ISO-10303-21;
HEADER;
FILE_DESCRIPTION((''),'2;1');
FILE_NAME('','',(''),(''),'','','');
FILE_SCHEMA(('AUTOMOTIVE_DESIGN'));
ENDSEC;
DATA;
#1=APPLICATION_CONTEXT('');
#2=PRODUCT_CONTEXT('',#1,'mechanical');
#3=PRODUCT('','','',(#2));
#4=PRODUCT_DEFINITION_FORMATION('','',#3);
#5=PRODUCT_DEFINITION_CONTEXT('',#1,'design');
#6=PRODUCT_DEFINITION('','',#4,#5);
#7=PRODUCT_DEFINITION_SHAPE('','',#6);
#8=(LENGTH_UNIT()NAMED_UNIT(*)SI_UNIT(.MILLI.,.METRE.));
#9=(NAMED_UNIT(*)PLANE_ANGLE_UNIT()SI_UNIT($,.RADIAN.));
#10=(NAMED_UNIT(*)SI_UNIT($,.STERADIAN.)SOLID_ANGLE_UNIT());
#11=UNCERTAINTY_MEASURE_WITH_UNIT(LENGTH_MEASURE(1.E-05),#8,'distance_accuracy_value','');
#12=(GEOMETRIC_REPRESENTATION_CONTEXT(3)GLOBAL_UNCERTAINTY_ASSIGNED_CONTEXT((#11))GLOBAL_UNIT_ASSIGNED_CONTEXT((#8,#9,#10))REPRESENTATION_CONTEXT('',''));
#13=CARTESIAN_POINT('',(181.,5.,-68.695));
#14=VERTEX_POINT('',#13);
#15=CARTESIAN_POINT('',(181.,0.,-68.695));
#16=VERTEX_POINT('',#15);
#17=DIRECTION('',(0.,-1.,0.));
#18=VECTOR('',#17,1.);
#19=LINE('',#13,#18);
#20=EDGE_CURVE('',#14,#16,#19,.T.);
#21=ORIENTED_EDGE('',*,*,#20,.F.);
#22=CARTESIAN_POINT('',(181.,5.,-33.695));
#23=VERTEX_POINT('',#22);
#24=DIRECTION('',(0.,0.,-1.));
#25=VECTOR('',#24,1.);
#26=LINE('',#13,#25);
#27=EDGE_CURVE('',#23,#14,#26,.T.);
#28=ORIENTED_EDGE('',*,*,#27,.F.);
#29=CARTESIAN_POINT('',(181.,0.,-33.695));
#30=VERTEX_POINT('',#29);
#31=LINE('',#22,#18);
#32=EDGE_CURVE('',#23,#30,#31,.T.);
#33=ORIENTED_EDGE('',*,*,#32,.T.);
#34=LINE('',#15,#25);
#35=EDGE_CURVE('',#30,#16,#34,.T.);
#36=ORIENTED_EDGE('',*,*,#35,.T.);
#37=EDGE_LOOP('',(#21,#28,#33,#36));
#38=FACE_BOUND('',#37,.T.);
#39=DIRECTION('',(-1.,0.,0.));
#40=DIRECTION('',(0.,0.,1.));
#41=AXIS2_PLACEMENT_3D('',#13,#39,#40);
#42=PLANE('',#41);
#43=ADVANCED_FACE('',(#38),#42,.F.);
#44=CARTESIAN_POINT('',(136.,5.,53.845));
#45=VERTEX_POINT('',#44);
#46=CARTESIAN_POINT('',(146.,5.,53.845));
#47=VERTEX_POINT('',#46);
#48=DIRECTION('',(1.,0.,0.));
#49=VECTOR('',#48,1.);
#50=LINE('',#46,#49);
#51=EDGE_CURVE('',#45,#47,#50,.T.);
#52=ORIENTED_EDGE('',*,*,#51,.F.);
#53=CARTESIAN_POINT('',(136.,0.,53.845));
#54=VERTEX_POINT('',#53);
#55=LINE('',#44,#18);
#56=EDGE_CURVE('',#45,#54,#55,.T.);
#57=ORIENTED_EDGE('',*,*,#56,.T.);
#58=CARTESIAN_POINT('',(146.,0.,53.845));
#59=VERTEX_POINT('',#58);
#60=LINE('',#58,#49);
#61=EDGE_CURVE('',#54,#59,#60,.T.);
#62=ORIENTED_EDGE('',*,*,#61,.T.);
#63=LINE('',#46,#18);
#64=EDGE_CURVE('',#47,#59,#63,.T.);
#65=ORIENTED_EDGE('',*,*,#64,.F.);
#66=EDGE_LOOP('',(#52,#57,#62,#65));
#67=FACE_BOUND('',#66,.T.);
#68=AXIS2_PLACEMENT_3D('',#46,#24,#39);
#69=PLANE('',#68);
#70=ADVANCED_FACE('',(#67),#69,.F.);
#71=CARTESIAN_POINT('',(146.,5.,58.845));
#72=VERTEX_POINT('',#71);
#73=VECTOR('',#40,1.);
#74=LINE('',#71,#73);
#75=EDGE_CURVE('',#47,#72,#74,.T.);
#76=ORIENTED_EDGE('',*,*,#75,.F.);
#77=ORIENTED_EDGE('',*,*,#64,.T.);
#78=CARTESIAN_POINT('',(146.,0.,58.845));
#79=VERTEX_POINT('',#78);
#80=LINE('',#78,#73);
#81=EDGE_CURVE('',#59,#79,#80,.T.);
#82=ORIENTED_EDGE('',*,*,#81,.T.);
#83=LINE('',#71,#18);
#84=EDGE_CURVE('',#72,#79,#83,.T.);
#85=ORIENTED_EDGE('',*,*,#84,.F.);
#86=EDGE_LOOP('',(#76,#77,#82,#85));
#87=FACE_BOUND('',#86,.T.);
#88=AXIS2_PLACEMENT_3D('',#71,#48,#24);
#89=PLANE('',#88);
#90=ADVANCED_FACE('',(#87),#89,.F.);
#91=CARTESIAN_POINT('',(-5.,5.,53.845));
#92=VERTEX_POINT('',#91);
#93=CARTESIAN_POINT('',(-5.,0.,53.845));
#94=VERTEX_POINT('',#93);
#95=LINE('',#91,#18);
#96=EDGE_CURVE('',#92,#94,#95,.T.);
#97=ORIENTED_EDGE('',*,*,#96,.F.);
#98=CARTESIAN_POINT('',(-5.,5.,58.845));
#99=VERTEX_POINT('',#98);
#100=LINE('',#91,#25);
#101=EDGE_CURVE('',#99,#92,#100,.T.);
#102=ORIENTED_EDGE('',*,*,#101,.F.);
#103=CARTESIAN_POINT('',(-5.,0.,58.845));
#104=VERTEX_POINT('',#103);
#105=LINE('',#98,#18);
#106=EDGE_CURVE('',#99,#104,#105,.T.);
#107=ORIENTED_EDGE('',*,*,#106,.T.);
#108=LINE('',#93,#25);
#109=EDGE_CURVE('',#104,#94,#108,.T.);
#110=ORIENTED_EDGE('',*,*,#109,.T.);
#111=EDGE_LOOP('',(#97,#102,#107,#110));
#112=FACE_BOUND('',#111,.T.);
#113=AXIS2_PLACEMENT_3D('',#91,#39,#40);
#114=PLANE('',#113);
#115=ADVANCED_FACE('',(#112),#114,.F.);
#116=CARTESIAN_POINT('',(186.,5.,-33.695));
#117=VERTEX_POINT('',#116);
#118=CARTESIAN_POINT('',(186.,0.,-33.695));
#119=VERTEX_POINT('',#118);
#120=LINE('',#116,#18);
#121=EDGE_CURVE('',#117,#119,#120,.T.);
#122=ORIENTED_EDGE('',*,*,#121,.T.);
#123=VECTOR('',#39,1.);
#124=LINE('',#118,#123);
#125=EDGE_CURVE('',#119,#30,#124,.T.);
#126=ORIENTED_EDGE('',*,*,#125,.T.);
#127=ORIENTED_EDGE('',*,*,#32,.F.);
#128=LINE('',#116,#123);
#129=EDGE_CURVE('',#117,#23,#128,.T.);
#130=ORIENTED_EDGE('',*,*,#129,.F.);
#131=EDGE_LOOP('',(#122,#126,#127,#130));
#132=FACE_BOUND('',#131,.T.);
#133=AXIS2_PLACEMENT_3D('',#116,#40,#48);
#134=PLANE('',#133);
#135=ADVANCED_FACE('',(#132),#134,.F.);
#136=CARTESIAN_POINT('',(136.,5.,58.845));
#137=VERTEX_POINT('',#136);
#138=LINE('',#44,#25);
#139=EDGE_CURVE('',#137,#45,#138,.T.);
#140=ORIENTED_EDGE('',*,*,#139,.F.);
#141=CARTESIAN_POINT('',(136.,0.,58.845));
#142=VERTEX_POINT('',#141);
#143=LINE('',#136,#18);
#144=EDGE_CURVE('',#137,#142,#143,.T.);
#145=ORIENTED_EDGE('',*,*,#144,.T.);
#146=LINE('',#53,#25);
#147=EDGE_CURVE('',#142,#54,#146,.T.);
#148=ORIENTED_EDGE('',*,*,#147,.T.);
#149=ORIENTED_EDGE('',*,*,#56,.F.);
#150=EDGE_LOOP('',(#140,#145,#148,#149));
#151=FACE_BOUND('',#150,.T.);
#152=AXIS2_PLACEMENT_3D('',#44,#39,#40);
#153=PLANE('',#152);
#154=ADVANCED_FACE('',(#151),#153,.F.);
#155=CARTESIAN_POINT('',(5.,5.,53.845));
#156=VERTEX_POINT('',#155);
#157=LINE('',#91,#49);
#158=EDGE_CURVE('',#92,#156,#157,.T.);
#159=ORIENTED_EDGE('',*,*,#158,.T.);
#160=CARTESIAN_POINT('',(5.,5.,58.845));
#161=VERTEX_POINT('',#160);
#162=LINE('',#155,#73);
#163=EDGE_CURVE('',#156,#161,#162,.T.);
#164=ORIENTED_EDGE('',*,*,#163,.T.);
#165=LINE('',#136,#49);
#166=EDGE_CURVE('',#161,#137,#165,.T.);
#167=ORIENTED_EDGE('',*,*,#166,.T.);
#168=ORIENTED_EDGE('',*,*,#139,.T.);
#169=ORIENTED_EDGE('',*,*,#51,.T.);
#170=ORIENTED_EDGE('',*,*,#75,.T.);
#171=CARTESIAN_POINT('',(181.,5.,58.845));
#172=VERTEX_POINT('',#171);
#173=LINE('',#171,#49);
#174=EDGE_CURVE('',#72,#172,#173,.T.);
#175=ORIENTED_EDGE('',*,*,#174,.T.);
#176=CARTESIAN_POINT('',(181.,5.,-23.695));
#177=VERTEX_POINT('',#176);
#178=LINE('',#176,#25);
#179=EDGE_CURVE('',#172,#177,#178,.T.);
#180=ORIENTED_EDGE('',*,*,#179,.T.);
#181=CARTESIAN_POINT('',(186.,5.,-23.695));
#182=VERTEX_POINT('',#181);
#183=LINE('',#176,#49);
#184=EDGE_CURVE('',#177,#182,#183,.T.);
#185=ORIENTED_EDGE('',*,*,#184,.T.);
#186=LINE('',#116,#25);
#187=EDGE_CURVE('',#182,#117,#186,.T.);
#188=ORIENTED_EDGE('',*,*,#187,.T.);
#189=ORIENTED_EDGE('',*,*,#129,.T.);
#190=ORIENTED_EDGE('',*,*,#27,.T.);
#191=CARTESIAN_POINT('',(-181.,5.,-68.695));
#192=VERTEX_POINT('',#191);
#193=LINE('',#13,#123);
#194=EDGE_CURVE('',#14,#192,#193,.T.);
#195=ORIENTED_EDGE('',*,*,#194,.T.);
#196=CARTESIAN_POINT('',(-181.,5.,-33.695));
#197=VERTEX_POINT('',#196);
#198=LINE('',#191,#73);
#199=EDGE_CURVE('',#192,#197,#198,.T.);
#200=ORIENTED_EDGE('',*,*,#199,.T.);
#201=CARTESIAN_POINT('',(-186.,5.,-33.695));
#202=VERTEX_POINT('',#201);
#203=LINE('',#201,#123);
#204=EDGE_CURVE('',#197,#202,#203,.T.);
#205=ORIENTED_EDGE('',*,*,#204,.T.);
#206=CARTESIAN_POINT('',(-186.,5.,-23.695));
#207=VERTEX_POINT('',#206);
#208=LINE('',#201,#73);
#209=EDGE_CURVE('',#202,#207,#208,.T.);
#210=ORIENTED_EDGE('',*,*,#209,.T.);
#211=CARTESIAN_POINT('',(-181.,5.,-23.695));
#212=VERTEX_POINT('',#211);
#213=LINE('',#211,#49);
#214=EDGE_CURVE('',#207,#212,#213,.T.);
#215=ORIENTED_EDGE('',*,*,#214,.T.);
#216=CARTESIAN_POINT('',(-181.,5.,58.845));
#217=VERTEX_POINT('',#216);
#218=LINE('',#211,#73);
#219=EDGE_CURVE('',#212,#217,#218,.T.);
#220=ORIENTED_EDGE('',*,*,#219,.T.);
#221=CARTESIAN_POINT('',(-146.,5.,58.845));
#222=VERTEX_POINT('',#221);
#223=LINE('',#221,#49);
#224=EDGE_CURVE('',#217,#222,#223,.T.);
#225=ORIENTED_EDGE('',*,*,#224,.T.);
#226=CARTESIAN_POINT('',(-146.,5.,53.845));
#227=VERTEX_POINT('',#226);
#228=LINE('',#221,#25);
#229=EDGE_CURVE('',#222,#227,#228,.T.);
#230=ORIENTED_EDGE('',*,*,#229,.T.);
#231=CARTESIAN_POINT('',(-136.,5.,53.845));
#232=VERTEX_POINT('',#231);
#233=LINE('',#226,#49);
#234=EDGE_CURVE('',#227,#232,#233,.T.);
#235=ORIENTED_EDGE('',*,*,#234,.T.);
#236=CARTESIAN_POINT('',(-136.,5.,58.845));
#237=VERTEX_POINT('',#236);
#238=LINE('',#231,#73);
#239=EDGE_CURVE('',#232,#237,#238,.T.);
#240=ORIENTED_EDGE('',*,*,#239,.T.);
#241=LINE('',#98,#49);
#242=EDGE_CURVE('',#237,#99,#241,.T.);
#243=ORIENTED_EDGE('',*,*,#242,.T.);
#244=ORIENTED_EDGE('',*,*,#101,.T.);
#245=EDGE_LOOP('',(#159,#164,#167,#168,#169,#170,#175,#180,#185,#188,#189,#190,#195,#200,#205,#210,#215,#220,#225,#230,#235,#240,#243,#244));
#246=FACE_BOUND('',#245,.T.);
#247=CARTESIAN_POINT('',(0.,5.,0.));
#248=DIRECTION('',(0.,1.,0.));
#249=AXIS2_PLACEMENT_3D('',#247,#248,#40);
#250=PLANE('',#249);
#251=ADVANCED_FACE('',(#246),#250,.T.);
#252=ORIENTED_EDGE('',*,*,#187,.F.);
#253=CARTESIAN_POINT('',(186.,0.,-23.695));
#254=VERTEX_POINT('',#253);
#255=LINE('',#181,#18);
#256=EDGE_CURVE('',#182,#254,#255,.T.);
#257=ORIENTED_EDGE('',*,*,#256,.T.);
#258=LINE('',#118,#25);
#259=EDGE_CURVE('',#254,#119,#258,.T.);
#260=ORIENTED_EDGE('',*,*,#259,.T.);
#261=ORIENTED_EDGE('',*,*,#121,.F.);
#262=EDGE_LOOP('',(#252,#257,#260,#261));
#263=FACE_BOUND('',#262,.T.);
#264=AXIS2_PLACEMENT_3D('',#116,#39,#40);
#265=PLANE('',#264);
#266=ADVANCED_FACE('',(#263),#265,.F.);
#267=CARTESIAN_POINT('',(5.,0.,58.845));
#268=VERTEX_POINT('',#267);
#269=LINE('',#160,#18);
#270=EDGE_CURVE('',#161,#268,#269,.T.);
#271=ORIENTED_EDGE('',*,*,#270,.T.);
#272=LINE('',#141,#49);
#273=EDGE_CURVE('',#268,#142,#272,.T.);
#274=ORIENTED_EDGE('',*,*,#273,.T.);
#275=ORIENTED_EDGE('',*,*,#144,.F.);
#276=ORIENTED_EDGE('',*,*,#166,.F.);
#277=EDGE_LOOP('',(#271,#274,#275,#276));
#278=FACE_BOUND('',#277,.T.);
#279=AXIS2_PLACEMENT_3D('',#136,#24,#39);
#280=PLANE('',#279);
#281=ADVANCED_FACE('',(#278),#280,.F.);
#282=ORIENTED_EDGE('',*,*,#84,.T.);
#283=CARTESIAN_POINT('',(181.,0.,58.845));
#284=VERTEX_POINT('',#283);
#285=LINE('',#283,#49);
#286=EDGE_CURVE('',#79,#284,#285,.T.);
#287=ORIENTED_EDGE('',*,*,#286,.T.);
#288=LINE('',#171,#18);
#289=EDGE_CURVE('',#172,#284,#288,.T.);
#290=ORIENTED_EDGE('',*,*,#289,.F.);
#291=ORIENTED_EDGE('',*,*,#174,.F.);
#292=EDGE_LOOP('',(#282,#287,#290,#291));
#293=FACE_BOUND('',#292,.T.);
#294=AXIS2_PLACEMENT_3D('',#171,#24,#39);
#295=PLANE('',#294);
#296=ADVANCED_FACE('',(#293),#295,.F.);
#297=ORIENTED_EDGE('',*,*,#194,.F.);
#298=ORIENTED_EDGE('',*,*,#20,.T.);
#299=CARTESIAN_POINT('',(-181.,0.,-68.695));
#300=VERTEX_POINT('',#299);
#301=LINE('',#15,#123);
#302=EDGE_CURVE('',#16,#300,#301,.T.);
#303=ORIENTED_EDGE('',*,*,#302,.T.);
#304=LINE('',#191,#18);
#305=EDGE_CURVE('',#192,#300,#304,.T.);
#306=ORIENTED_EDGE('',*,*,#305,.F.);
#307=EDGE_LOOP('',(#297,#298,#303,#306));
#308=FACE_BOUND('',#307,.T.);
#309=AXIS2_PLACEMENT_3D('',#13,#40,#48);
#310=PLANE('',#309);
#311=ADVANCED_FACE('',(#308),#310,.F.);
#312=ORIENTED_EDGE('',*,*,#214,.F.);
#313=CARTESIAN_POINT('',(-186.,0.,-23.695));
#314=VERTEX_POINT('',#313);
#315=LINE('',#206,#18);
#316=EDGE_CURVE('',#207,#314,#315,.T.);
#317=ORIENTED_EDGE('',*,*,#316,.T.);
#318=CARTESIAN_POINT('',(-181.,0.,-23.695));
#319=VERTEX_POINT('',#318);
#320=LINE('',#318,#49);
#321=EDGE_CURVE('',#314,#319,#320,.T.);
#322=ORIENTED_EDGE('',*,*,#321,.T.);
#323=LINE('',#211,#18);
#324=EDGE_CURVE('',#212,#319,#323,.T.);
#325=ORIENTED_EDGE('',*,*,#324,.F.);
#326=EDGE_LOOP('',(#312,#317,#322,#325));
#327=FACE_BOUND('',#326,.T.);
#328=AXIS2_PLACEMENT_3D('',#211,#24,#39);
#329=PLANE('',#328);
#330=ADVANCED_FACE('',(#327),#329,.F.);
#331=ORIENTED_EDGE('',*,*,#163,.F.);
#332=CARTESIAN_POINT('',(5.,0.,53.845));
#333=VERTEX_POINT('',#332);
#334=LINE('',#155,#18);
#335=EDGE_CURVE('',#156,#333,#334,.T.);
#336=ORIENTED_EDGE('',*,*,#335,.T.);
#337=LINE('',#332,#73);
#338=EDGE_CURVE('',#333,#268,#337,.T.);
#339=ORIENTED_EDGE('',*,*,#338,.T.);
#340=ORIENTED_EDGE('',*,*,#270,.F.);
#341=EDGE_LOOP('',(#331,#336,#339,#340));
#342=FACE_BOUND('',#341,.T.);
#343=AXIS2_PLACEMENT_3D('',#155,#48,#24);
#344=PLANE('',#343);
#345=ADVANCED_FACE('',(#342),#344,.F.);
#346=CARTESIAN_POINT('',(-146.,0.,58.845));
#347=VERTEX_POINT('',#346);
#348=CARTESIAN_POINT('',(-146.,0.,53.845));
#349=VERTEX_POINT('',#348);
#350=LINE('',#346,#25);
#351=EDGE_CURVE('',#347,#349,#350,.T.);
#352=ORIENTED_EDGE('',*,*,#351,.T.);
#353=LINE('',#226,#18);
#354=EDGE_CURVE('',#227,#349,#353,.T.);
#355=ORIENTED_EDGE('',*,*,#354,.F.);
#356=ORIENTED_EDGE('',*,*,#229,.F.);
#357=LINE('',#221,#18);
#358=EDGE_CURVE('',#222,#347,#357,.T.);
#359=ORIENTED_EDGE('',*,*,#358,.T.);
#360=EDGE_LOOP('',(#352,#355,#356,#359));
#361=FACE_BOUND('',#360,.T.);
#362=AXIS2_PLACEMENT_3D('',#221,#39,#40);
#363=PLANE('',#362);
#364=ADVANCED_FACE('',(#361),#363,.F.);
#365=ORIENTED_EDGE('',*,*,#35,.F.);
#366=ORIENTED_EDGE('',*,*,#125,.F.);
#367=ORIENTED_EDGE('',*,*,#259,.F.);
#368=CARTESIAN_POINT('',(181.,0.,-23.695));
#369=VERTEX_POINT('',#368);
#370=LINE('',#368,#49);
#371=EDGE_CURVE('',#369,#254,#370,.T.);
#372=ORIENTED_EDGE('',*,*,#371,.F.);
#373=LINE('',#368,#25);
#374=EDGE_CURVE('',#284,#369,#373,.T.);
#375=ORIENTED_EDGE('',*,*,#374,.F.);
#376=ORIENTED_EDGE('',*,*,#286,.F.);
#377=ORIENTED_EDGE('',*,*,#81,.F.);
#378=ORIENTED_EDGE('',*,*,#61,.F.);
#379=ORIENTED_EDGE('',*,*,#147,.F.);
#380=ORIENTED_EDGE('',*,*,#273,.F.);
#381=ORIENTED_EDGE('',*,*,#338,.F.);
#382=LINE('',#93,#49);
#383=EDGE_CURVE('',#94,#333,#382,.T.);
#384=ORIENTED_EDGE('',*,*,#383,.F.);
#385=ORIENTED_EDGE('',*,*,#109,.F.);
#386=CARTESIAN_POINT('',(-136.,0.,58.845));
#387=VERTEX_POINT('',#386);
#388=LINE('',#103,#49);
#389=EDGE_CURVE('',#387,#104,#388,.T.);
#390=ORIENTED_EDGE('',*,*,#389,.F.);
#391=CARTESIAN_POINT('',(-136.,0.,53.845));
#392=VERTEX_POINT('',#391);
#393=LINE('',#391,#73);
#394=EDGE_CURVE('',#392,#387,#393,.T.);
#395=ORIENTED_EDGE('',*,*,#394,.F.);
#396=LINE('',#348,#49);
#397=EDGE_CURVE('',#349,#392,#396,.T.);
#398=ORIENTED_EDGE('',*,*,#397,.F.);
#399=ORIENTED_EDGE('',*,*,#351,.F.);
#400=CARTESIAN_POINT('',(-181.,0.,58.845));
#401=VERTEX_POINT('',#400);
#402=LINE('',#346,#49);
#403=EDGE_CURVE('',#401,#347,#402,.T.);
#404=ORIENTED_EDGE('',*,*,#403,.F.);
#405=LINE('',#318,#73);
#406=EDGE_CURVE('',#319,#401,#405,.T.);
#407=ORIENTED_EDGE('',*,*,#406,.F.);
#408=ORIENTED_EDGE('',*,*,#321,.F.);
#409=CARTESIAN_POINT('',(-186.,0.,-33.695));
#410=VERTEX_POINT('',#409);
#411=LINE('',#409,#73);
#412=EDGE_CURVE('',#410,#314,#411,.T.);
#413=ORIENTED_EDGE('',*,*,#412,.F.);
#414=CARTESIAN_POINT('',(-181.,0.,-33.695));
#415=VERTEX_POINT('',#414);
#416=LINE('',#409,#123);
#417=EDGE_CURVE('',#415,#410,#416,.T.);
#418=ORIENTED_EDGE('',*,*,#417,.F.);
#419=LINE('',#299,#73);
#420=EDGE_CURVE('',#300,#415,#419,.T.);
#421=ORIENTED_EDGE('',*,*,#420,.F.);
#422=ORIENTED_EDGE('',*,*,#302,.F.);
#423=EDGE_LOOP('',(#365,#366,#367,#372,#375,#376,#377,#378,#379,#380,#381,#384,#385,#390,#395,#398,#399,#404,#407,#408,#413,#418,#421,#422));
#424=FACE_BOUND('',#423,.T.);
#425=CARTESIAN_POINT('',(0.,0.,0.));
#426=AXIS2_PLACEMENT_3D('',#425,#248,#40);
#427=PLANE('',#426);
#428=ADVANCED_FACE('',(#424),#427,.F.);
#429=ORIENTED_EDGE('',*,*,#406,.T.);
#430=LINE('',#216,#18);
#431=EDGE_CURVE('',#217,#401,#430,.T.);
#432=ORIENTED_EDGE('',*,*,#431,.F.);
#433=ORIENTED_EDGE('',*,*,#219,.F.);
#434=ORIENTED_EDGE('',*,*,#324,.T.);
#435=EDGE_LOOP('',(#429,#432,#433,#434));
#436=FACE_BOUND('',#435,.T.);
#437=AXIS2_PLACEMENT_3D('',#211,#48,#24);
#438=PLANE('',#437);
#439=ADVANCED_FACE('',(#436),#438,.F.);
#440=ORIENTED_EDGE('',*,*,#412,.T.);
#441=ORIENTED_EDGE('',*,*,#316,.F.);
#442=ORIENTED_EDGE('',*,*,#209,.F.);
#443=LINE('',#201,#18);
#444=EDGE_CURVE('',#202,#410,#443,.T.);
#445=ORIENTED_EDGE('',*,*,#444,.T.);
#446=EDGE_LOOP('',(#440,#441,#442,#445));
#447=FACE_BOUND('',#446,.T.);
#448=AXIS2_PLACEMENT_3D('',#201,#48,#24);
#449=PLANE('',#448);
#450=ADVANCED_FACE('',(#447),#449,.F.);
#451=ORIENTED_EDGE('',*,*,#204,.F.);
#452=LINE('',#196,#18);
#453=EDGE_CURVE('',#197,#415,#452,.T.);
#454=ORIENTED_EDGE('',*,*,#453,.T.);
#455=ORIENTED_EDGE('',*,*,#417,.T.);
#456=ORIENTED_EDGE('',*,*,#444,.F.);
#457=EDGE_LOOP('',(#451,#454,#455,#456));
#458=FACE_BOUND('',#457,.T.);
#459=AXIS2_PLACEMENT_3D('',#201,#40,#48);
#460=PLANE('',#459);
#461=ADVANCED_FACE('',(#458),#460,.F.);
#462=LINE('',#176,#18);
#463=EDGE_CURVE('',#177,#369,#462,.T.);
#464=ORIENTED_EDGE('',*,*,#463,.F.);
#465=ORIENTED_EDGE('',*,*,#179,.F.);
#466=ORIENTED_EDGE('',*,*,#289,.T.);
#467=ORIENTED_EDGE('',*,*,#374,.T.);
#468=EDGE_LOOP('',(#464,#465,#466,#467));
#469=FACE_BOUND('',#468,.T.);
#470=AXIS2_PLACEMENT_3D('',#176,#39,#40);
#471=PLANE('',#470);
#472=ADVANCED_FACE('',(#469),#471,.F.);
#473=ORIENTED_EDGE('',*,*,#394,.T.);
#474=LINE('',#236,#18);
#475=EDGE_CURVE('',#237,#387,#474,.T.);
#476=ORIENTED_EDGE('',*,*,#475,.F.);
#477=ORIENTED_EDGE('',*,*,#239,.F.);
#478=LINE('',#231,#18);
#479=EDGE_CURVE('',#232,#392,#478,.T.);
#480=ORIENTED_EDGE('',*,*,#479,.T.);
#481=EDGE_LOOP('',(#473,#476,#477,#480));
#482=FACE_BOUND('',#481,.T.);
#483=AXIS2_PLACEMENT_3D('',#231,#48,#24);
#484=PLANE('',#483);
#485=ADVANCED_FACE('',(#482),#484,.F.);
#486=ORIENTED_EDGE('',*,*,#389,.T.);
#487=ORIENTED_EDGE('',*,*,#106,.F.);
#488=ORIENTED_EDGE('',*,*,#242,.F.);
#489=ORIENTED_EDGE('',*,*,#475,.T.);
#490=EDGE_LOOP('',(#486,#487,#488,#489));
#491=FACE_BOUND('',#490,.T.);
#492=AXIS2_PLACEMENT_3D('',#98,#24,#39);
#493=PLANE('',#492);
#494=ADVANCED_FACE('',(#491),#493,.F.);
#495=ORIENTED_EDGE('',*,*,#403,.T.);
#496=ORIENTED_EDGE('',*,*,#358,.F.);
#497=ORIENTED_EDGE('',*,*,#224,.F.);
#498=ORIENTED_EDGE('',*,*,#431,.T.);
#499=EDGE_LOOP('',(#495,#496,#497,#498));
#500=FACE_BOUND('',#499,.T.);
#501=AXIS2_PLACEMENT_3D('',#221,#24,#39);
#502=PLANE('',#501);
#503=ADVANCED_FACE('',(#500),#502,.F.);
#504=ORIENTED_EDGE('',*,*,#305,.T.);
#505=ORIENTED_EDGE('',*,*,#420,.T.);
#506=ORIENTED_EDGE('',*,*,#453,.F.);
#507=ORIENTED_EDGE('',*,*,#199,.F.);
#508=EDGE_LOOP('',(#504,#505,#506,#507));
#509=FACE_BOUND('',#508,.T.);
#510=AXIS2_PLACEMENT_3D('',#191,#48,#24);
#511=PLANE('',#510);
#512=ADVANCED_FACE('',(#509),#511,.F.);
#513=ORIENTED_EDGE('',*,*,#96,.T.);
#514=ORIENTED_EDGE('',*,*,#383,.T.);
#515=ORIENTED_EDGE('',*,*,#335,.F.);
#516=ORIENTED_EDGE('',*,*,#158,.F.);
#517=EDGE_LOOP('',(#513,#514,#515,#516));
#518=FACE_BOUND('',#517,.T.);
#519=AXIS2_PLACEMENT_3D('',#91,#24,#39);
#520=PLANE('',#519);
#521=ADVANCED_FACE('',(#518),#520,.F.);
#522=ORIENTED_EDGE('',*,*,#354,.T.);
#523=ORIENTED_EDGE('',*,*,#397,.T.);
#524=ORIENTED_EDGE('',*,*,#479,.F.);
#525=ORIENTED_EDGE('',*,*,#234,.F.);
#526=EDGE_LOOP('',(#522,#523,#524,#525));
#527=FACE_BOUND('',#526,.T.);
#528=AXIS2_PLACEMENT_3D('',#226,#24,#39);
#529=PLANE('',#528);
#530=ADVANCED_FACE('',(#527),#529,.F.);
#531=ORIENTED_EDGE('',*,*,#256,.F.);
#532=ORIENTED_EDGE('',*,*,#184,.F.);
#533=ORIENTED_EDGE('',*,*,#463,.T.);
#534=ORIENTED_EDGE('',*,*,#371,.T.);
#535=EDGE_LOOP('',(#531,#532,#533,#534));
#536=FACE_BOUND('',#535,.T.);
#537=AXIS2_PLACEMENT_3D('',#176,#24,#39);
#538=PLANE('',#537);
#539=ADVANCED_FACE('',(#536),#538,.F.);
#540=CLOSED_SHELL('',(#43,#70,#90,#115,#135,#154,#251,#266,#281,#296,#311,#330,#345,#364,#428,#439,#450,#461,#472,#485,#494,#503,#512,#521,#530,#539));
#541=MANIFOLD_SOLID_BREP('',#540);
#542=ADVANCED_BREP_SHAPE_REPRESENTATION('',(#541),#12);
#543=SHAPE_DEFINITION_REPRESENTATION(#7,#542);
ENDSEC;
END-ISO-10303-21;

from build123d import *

# Parameters (mm, degrees)
BOSS_EXTRUDE1_DEPTH = 5


with BuildPart() as part:
    # Sketch1 → Boss-Extrude1 (new body)
    with BuildSketch(Plane(origin=(0, 0, 0), x_dir=(1, 0, 0), z_dir=(0, 1, 0))):
        Polygon((-186, 33.695), (-181, 33.695), (-181, 68.695), (181, 68.695), (181, 33.695), (186, 33.695), (186, 23.695), (181, 23.695), (181, -58.845), (146, -58.845), (146, -53.845), (136, -53.845), (136, -58.845), (5, -58.845), (5, -53.845), (-5, -53.845), (-5, -58.845), (-136, -58.845), (-136, -53.845), (-146, -53.845), (-146, -58.845), (-181, -58.845), (-181, 23.695), (-186, 23.695), align=None)
    extrude(amount=BOSS_EXTRUDE1_DEPTH)


solid = part.part
